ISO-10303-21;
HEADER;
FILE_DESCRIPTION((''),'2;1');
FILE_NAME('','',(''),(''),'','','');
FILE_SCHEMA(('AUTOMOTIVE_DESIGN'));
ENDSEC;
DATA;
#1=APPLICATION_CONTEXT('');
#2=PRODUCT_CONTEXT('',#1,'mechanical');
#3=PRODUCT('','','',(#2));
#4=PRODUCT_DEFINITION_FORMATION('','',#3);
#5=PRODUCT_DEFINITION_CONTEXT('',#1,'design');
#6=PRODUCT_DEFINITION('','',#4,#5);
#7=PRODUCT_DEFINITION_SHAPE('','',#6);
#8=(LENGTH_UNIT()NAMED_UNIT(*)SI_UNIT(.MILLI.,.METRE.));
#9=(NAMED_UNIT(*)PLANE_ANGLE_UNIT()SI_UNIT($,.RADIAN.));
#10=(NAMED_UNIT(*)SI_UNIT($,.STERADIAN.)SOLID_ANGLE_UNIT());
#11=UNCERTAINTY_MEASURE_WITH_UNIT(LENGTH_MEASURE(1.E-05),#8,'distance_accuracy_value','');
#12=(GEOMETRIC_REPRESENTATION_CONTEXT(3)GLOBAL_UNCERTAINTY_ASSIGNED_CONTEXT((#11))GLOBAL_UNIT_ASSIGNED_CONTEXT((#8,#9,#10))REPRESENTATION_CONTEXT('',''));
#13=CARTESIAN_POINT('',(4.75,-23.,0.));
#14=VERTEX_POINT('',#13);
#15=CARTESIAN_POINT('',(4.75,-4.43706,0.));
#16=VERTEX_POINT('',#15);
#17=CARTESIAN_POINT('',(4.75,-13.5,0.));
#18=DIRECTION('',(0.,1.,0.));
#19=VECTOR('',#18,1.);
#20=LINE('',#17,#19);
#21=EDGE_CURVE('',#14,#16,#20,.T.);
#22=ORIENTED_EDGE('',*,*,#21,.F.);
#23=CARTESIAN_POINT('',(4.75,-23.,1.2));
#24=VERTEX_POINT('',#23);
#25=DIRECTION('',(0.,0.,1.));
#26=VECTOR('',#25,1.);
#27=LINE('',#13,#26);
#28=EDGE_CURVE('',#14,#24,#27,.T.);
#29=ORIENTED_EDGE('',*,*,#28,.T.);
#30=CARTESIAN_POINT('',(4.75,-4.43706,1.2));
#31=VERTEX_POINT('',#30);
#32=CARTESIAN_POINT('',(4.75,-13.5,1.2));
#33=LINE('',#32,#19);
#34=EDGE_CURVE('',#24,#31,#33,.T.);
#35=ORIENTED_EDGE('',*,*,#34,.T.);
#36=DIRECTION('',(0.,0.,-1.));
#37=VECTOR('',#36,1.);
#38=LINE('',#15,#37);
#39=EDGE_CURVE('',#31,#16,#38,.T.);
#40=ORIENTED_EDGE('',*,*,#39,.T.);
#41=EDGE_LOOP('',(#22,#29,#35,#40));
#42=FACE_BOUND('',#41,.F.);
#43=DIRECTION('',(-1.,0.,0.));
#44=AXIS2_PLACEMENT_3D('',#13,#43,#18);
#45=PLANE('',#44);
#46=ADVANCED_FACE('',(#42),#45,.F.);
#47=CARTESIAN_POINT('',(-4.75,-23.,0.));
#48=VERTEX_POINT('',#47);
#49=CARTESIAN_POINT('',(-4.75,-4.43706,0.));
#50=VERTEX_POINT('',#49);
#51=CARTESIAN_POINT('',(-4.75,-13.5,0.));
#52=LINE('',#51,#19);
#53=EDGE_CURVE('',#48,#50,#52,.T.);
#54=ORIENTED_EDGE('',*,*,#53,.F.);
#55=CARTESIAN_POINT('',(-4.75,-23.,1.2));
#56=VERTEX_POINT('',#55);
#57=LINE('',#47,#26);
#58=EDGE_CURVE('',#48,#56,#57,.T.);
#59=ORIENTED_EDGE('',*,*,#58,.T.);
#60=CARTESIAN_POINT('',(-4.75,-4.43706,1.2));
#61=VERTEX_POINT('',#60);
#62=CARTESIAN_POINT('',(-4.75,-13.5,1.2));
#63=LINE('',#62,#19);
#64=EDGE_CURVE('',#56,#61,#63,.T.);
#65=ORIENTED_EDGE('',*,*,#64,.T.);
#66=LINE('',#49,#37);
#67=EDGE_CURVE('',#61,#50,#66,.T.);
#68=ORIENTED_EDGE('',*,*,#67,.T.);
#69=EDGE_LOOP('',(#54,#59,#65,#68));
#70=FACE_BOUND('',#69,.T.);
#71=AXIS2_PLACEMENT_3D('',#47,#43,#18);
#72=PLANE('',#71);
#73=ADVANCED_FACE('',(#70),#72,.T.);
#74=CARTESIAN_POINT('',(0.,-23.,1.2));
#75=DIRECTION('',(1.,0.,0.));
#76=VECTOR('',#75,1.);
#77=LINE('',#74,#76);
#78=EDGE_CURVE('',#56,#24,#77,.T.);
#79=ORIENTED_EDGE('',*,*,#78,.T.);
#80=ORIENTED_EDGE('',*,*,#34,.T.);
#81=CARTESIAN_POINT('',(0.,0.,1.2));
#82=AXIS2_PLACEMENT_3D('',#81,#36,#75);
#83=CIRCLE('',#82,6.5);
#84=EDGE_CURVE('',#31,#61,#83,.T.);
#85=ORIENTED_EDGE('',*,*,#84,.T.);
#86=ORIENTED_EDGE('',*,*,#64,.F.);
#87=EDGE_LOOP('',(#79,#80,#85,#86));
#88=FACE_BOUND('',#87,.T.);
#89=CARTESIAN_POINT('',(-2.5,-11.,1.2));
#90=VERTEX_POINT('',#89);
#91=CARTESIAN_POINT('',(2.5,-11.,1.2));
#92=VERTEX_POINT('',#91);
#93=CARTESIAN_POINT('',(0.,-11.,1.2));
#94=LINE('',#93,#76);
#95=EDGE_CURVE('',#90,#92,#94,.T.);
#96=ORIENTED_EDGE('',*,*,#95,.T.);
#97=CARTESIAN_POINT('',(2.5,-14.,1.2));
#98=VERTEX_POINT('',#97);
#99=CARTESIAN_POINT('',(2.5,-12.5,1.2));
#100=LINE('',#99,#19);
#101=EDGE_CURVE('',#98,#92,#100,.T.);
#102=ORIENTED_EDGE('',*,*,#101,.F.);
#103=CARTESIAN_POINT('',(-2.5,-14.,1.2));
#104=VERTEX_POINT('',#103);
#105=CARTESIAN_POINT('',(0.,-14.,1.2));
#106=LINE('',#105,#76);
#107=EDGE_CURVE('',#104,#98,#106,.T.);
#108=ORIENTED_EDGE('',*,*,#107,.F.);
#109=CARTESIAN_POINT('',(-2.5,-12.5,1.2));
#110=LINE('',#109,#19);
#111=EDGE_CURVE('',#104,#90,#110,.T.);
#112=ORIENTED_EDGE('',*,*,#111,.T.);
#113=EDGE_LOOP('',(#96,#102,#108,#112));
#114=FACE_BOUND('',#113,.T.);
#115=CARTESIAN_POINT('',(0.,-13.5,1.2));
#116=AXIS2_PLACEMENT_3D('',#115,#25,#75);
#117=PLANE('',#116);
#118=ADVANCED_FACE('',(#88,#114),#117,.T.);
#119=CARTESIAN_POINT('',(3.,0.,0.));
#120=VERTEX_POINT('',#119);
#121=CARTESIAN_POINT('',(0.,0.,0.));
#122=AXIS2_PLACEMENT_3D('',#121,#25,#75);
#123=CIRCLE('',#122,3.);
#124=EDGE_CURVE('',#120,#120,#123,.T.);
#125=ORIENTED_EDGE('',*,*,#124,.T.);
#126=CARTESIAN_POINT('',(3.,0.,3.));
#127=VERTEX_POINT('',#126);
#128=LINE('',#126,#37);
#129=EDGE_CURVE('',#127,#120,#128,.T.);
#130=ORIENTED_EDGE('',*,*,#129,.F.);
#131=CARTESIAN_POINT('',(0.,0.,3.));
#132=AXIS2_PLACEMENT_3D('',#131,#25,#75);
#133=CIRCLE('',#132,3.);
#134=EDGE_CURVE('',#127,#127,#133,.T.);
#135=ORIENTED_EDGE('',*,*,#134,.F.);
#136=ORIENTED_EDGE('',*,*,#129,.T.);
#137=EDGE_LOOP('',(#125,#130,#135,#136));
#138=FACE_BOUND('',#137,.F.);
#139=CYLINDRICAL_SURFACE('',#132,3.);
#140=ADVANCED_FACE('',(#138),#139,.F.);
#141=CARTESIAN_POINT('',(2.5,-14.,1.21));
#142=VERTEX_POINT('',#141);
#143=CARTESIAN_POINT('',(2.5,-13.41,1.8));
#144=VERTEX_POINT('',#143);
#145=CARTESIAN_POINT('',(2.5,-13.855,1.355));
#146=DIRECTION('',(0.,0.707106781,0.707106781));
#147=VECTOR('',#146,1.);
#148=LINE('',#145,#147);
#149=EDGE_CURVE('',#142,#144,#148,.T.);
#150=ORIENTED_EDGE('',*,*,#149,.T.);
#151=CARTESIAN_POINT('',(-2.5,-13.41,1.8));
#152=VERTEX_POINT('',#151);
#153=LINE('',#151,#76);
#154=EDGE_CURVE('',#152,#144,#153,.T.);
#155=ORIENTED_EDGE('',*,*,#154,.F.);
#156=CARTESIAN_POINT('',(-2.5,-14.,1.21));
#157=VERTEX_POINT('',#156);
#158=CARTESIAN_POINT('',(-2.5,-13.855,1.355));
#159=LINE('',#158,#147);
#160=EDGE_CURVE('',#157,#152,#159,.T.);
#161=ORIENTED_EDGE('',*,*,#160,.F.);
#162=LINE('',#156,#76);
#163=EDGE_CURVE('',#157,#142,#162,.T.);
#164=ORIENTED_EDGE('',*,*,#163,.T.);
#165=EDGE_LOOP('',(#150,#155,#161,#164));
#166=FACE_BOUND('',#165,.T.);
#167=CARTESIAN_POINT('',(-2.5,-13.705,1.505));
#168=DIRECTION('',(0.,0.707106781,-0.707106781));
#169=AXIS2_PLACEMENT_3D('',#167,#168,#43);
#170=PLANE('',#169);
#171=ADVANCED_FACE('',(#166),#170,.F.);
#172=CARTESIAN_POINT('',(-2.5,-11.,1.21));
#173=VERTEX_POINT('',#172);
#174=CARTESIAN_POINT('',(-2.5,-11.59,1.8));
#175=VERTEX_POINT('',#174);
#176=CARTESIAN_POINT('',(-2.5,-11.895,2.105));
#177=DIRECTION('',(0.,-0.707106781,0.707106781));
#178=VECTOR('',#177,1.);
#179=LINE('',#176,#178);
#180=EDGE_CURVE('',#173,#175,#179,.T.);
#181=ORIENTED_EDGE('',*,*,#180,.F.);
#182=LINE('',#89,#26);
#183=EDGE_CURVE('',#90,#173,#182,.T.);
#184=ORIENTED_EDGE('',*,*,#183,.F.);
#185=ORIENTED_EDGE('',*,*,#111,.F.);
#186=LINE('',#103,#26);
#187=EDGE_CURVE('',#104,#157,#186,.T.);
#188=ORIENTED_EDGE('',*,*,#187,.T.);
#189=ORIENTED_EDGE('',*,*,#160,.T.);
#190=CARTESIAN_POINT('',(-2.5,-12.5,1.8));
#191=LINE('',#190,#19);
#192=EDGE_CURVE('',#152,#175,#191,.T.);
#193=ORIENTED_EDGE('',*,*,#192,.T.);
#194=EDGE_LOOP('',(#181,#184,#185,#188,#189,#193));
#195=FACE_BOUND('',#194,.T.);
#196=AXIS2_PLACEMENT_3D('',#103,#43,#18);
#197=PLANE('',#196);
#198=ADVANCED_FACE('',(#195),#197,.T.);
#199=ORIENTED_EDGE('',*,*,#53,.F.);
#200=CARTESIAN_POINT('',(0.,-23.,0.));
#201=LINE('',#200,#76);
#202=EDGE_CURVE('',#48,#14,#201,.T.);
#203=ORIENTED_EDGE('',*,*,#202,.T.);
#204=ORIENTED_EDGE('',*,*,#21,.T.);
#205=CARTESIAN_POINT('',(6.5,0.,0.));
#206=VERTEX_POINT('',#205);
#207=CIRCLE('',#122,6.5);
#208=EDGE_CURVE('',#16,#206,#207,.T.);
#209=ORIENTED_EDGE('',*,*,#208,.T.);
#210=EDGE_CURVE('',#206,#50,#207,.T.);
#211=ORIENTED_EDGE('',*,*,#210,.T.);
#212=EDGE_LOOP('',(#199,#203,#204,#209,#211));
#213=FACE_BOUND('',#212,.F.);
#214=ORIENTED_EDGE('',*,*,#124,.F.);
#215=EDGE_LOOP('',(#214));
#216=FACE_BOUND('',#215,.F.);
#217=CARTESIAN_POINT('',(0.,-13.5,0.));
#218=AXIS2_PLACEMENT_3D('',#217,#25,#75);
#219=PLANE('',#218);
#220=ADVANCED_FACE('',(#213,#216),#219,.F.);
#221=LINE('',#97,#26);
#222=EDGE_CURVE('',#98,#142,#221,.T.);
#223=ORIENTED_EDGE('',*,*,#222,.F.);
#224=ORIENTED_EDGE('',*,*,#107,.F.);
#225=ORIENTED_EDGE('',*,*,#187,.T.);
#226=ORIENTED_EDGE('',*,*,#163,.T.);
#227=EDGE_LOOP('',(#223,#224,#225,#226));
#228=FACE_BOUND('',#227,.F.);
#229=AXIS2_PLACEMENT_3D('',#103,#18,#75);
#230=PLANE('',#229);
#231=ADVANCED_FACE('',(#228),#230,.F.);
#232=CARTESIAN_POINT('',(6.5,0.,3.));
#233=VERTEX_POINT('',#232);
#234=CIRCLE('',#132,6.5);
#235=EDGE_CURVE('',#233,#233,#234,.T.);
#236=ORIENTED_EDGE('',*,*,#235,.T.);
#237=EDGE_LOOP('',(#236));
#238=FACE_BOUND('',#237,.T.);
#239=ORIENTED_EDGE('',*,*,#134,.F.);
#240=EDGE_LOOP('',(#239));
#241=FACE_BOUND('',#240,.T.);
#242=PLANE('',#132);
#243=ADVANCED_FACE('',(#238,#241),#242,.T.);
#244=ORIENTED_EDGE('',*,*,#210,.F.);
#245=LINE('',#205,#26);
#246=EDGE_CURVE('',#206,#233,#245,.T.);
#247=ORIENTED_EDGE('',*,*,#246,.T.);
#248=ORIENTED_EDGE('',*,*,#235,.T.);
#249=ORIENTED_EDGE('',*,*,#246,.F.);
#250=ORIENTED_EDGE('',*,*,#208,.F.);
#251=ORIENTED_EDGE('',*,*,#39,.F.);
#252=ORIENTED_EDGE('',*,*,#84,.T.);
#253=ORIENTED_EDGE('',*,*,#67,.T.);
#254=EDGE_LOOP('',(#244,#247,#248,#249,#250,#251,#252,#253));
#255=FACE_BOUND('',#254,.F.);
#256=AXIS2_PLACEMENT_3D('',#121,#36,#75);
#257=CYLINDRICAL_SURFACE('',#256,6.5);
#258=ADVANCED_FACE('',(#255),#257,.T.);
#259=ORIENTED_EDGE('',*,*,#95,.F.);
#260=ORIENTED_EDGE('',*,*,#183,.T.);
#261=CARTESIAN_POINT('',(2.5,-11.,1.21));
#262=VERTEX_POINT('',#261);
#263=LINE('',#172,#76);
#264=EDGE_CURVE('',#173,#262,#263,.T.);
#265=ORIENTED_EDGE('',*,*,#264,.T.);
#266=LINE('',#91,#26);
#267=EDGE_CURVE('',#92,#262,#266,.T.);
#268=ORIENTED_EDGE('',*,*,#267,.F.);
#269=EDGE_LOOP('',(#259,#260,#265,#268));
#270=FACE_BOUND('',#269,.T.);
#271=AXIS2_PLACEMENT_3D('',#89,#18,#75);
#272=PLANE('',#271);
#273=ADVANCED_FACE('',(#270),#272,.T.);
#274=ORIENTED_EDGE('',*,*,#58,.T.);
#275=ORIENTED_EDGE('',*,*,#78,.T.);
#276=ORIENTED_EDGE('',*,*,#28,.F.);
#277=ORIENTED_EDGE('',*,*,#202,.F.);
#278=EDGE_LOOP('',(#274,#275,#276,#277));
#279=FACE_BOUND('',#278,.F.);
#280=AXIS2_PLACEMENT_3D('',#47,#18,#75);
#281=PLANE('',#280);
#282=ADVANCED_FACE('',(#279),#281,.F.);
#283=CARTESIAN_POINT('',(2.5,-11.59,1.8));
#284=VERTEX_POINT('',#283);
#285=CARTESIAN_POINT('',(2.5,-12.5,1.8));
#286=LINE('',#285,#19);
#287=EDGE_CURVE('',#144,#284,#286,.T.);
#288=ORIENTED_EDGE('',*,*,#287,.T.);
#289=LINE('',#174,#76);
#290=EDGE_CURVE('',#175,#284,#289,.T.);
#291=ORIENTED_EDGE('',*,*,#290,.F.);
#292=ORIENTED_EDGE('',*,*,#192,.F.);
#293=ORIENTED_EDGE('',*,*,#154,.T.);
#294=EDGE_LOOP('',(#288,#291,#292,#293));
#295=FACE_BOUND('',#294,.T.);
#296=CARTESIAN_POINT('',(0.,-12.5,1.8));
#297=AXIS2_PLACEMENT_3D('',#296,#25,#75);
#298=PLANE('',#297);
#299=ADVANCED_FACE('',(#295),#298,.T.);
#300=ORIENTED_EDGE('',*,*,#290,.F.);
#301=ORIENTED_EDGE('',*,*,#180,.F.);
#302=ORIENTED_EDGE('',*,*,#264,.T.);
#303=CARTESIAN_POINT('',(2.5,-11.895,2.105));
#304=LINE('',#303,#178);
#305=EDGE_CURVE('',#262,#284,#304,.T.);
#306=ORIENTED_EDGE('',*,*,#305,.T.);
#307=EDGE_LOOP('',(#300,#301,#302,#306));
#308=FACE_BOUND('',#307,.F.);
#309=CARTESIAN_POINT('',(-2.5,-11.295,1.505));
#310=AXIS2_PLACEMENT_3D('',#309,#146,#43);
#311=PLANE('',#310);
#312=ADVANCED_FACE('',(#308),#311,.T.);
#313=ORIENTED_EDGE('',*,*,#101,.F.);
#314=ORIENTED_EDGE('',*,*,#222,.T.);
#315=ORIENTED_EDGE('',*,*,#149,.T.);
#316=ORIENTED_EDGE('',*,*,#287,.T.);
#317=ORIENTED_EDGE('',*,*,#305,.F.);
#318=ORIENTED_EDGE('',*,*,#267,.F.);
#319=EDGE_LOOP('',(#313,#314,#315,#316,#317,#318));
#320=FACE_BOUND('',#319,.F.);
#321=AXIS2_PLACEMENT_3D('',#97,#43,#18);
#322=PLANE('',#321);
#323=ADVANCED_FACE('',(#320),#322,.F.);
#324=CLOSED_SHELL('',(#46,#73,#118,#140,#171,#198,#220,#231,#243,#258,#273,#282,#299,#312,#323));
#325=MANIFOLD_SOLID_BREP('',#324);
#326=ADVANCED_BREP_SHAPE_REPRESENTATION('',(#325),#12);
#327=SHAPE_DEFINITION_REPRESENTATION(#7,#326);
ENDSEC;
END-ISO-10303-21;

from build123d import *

# Parameters (mm, degrees)
SKETCH_R     = 6.5
PAD_DEPTH    = 3
SKETCH001_R  = 3
POCKET_DEPTH = 3
SKETCH002_W  = 9.5
SKETCH002_H  = 19
PAD001_DEPTH = 1.2
SKETCH004_W  = 5
SKETCH004_H  = 3
PAD002_DEPTH = 0.6
CHAMFER_SIZE = 0.59


with BuildPart() as part:
    # Sketch → Pad (new body)
    with BuildSketch(Plane.XY):
        Circle(SKETCH_R)
    extrude(amount=PAD_DEPTH)

    # Sketch001 (on Face3 of Pad) → Pocket (cut)
    with BuildSketch(Plane.XY.offset(3)):
        Circle(SKETCH001_R)
    extrude(amount=-POCKET_DEPTH, mode=Mode.SUBTRACT)

    # Sketch002 → Pad001 (join)
    with BuildSketch(Plane.XY):
        with Locations((0, -13.5)):
            Rectangle(SKETCH002_W, SKETCH002_H)
    extrude(amount=PAD001_DEPTH)

    # Sketch004 (on Face4 of Pad001) → Pad002 (join)
    with BuildSketch(Plane.XY.offset(1.2)):
        with Locations((0, -12.5)):
            Rectangle(SKETCH004_W, SKETCH004_H)
    extrude(amount=PAD002_DEPTH)

    # Chamfer
    chamfer_edges = [part.edges().sort_by_distance(p)[0] for p in [
        (0, -14, 1.8),
        (0, -11, 1.8),
    ]]
    chamfer(chamfer_edges, length=CHAMFER_SIZE)


solid = part.part
